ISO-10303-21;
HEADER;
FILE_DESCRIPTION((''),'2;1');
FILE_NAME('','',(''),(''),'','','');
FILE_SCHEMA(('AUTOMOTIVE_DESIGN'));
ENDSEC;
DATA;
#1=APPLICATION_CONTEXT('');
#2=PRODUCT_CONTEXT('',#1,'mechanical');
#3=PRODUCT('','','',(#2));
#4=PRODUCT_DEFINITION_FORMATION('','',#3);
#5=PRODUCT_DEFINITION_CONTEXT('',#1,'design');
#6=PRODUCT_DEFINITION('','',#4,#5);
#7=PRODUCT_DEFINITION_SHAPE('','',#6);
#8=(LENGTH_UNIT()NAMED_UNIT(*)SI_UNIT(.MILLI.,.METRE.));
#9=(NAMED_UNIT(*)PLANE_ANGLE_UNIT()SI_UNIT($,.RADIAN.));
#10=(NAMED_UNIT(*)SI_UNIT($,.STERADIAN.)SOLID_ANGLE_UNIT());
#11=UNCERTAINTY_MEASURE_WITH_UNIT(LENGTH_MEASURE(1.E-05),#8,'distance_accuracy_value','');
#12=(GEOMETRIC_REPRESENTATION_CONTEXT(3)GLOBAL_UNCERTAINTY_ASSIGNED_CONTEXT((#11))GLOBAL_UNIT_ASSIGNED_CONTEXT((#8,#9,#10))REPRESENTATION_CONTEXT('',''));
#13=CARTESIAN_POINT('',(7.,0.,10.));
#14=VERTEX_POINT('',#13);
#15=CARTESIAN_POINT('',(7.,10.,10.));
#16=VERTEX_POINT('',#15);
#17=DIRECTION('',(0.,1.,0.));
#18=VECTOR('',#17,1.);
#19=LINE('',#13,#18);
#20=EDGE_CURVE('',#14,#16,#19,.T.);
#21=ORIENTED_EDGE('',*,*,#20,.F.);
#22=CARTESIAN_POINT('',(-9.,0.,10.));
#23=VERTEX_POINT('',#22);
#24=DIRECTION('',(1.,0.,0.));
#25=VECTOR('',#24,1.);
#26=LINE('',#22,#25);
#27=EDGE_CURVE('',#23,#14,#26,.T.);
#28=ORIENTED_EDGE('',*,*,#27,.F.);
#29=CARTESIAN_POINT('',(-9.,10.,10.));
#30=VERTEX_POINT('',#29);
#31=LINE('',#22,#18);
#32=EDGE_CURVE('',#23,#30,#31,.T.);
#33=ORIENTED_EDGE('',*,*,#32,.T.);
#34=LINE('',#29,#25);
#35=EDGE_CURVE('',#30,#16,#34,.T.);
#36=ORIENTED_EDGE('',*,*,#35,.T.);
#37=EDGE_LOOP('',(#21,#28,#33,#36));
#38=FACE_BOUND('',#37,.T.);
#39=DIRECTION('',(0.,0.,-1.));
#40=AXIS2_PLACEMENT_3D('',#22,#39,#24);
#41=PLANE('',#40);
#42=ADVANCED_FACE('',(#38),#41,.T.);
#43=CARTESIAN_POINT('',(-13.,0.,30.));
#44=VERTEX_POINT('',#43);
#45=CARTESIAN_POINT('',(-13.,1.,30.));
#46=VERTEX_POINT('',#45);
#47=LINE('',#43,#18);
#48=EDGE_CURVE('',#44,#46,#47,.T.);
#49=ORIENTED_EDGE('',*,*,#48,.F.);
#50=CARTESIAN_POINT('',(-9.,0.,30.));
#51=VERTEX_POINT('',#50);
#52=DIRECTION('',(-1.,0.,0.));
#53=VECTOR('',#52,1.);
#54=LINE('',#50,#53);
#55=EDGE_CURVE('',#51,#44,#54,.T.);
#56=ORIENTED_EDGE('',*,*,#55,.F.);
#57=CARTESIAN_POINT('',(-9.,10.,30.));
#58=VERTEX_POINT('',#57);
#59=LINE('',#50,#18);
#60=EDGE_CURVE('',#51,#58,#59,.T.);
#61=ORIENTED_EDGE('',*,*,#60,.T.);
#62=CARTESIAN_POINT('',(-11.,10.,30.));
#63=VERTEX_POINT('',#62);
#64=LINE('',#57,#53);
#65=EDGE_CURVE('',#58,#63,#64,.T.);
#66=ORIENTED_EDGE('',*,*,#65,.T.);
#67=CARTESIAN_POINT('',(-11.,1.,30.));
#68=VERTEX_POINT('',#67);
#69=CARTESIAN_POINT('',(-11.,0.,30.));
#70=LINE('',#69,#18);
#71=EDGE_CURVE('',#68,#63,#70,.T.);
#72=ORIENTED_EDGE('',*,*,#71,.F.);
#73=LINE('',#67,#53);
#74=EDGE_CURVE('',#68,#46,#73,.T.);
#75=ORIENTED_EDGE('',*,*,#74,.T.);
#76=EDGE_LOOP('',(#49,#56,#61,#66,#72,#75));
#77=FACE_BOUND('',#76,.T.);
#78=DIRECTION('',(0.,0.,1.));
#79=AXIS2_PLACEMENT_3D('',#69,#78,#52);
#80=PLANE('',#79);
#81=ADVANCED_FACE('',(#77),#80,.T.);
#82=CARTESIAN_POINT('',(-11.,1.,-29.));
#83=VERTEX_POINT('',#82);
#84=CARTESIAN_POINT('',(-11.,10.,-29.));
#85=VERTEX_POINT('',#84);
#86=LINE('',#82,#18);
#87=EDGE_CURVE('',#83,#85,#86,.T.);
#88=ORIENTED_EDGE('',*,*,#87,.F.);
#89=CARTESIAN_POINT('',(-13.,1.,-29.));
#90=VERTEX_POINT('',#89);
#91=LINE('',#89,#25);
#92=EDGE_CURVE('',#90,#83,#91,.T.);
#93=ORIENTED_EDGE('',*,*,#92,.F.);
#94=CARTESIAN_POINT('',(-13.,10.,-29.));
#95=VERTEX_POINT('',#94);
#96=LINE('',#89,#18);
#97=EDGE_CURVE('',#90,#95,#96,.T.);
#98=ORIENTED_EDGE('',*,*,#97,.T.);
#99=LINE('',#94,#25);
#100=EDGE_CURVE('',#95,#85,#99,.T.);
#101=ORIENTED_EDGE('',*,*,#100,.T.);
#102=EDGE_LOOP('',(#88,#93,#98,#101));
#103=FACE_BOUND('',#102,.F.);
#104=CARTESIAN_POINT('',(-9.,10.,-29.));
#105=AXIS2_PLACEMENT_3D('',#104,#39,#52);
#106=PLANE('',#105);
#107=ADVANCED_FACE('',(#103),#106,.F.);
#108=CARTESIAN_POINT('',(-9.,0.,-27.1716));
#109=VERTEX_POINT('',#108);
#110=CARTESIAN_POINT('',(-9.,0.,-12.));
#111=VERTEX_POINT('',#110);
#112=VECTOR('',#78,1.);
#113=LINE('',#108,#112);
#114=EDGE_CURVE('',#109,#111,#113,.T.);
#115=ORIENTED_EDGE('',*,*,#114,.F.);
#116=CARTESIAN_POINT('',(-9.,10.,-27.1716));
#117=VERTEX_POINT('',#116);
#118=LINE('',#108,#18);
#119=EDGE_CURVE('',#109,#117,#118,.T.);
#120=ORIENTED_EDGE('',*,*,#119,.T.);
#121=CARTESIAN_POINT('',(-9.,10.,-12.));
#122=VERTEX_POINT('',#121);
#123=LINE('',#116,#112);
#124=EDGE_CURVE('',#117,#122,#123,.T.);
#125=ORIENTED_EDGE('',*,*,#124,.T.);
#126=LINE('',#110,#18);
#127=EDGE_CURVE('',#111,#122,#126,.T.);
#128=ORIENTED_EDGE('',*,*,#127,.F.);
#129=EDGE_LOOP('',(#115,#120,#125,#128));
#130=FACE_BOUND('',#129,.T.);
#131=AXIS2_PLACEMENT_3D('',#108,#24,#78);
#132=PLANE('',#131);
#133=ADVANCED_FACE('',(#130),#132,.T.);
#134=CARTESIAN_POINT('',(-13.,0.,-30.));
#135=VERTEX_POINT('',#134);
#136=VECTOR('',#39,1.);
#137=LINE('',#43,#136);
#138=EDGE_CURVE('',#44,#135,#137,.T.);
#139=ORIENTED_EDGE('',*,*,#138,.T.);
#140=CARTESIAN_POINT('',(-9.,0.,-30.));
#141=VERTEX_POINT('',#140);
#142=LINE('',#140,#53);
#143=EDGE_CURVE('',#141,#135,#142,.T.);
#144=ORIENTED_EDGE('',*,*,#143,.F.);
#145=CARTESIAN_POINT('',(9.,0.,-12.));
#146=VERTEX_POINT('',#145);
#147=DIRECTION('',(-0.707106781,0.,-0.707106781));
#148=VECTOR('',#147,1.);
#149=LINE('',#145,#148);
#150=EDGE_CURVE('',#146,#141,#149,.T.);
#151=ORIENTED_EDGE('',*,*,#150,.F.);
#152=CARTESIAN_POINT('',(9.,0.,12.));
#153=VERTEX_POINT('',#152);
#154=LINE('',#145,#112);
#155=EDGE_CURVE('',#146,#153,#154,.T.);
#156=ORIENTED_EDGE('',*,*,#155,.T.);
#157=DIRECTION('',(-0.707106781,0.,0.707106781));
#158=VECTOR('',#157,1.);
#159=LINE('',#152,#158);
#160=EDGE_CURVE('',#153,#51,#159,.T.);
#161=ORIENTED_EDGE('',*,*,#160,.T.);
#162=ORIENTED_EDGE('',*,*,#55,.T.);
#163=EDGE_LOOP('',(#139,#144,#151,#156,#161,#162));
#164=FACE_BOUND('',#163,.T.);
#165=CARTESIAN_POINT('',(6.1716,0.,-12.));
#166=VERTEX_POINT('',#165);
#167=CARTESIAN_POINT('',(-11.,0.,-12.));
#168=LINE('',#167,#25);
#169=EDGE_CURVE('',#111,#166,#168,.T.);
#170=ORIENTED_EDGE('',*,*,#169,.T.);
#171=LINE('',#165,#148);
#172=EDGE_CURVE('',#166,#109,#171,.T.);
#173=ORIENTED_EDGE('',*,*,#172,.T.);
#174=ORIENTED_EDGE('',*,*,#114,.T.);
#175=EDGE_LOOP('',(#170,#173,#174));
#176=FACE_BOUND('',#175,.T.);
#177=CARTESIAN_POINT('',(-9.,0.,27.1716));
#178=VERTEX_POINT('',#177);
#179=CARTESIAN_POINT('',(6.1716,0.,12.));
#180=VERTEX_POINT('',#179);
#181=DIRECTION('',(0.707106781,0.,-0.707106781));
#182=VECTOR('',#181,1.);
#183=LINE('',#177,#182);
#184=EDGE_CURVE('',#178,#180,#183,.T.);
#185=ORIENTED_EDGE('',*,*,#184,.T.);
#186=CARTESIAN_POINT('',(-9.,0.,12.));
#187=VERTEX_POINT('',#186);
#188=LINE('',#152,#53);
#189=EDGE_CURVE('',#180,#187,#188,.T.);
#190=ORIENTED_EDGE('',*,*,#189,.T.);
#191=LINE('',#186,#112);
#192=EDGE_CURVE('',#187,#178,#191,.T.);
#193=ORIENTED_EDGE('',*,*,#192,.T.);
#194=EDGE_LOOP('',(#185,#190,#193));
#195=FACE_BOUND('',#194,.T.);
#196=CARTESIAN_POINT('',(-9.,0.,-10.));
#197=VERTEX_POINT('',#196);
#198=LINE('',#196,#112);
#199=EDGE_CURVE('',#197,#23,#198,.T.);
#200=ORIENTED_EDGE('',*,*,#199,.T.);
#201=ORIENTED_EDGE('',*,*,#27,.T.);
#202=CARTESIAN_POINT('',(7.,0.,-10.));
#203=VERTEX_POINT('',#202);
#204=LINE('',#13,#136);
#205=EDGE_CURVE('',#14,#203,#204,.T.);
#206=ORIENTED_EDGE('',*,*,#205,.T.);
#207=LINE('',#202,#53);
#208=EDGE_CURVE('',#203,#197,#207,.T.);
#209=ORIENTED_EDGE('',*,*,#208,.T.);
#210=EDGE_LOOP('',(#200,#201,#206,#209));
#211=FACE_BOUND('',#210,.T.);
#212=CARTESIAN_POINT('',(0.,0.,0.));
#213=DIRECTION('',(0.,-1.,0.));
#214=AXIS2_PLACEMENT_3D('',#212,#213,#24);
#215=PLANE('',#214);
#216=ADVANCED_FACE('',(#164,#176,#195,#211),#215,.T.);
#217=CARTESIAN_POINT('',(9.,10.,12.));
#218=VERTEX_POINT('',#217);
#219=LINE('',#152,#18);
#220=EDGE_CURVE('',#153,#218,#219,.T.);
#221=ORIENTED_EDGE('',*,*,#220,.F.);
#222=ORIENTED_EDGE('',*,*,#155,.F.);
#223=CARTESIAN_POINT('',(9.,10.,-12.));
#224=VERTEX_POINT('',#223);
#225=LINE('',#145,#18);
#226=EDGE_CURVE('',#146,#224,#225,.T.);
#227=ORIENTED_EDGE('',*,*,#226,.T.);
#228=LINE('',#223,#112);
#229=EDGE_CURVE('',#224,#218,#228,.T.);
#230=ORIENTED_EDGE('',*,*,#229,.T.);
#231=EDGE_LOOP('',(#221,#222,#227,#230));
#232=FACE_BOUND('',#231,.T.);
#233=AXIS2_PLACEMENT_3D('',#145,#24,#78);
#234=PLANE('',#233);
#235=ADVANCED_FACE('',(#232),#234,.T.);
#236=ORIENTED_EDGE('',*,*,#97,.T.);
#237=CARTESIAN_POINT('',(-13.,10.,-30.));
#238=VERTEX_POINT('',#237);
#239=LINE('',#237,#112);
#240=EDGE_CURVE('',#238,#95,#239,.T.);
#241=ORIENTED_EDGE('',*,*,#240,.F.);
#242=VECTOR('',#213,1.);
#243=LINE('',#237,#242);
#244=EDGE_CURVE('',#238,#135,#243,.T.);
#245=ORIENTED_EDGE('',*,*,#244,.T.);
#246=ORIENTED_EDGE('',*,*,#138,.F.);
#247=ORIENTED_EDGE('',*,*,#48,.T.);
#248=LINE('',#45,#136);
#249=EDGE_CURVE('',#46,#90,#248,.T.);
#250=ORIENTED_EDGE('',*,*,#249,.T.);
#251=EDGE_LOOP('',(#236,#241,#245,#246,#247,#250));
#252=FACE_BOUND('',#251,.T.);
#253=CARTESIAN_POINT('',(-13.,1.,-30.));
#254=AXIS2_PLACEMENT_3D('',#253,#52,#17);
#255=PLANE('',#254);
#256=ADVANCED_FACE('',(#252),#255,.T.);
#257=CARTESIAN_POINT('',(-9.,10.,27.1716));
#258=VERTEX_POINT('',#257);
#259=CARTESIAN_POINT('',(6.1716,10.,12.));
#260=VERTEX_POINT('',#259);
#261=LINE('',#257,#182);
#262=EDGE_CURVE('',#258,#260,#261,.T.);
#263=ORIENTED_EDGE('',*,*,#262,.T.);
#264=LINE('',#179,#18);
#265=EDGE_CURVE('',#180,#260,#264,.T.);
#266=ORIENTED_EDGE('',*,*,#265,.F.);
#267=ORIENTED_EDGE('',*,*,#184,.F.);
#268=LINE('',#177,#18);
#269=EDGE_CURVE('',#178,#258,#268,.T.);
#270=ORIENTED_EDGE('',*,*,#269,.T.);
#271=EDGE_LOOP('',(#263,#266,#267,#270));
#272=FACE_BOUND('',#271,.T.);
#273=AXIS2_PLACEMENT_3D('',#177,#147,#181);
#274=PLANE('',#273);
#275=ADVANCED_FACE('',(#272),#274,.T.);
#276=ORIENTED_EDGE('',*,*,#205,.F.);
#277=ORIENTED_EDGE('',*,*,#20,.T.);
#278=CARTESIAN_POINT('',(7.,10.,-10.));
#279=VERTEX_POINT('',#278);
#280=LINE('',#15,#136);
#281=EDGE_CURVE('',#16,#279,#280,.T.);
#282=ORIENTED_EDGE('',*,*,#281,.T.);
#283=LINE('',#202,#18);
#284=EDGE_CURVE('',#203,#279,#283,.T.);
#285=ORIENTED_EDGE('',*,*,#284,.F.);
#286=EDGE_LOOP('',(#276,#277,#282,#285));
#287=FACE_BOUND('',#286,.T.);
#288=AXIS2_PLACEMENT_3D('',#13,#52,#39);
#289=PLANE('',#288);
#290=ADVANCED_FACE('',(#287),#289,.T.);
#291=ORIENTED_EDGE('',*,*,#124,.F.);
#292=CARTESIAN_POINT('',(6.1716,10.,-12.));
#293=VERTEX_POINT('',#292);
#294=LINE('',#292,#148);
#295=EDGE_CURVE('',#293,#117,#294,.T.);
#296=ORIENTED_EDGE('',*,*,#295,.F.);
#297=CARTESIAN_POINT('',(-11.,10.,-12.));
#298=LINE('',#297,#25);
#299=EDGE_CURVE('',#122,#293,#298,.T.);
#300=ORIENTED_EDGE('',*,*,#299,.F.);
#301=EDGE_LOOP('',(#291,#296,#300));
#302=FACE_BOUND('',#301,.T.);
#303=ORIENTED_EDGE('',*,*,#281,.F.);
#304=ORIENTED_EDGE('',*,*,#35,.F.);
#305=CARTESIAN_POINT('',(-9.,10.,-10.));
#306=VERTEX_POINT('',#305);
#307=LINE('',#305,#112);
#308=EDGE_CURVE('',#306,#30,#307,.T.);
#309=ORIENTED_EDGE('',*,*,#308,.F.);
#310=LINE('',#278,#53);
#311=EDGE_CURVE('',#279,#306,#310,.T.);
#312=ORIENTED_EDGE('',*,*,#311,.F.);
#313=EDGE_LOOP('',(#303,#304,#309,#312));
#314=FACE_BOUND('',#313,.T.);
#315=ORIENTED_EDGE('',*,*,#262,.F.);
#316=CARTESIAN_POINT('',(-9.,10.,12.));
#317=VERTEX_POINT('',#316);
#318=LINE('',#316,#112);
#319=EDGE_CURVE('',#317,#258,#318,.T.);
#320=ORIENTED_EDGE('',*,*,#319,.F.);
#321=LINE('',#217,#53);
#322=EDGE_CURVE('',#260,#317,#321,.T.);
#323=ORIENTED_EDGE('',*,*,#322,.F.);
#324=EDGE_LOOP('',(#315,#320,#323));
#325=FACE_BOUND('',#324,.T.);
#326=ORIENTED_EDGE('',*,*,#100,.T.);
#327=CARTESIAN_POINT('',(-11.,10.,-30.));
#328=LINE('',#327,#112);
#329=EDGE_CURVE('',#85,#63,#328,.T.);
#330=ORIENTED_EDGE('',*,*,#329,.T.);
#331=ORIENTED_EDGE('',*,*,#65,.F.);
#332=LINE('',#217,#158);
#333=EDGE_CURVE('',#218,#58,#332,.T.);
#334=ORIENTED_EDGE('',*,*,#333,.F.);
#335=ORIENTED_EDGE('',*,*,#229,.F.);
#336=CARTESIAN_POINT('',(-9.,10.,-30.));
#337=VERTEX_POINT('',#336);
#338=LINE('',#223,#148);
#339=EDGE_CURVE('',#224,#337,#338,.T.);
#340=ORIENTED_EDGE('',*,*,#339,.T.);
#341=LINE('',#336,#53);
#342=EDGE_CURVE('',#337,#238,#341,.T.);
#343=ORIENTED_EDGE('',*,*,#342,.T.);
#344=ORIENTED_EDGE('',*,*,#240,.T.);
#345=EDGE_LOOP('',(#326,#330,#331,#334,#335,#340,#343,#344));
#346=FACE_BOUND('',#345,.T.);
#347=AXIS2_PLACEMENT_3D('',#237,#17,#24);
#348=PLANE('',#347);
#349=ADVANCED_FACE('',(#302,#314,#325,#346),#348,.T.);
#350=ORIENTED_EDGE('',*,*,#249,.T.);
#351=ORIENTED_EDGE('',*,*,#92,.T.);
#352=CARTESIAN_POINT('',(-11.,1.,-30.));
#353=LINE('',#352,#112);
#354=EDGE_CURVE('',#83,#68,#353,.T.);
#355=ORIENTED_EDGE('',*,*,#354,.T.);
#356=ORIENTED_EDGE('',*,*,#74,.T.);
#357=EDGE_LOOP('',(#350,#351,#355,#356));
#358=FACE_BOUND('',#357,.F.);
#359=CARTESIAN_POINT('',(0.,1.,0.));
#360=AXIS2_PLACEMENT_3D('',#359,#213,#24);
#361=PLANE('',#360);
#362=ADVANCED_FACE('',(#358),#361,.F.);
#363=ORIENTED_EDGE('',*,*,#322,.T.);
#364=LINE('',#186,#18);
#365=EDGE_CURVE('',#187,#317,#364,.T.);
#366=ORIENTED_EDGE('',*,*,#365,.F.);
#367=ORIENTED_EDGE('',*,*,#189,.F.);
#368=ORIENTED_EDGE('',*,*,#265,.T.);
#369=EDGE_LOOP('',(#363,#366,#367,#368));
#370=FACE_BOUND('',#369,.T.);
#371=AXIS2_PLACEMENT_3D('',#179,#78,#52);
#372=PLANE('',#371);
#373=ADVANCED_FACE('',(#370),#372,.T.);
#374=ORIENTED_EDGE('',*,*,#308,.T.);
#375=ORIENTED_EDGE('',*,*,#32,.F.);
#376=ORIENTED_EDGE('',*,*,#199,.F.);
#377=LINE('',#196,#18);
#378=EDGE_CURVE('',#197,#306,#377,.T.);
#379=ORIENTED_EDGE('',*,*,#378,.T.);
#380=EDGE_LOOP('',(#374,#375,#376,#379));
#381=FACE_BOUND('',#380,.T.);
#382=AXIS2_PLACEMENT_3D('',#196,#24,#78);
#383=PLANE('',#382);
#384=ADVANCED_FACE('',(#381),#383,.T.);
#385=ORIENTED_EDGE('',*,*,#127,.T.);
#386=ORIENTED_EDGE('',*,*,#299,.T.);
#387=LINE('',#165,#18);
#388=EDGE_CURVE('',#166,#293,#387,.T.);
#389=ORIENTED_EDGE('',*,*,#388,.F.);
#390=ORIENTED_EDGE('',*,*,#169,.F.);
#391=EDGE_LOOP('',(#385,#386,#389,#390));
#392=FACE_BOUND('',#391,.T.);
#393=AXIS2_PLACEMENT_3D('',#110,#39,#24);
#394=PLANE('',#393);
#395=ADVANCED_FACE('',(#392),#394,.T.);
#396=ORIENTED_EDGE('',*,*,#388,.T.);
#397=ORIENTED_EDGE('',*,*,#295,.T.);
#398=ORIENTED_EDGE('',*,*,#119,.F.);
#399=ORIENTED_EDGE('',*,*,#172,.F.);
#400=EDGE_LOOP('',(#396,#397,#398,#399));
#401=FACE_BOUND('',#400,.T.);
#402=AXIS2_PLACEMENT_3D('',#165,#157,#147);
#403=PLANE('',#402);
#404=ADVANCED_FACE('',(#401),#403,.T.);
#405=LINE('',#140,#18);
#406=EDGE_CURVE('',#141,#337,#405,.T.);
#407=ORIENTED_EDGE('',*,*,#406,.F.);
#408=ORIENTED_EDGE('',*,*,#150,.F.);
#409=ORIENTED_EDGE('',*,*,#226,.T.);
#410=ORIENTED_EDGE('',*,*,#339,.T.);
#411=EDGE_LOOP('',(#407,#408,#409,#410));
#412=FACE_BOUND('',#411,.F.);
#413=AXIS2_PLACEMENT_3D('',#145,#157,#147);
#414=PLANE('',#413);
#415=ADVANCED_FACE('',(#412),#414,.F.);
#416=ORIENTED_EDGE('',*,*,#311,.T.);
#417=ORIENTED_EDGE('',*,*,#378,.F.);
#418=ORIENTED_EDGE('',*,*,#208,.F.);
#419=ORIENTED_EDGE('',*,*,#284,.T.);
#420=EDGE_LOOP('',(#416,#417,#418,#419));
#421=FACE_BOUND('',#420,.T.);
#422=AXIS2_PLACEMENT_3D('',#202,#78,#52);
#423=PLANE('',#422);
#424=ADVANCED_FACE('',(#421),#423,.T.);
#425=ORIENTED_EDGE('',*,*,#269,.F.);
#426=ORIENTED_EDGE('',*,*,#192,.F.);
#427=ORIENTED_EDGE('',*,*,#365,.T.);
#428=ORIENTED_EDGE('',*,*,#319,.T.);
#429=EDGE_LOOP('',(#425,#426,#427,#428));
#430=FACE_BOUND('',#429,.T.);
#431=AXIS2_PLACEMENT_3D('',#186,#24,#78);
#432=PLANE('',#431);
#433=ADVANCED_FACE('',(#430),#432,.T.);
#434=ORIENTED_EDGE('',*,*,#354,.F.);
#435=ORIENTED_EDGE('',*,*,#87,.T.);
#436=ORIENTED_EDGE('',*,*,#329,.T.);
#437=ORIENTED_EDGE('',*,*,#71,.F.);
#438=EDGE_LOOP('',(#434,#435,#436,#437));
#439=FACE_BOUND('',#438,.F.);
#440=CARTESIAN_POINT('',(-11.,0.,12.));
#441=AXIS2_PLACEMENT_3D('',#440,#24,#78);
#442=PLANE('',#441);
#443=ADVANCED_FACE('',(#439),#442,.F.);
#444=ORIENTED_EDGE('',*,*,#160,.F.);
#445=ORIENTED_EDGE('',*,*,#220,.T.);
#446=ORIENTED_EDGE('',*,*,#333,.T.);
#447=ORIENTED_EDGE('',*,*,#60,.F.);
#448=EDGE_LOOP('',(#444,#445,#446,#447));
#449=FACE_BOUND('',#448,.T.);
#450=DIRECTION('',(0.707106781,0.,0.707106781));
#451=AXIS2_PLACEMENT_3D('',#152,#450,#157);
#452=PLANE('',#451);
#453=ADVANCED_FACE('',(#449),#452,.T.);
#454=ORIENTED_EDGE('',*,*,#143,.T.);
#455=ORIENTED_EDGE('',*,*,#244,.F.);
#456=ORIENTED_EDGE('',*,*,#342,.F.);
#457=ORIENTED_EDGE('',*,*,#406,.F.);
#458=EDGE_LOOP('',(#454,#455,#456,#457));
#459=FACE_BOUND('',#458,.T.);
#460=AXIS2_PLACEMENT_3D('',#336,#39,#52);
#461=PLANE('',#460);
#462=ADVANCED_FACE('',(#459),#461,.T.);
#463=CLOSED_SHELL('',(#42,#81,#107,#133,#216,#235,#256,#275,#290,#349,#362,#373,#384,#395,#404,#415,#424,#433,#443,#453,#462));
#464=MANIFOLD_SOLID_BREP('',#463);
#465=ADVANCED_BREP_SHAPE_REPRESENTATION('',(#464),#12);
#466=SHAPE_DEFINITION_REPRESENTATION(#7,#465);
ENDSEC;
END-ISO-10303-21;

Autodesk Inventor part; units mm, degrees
ref_plane "YZ Plane" through (0, 0, 0) normal (1, 0, 0) x (0, 1, 0)
ref_plane "XZ Plane" through (0, 0, 0) normal (0, 1, 0) x (-1, 0, 0)
ref_plane "XY Plane" through (0, 0, 0) normal (0, 0, 1) x (1, 0, 0)
sketch "Sketch1" plane through (0, 0, 0) normal (0, 1, 0) x (-1, 0, 0)
  line L0 (9, 10) -> (-7, 10)
  line L1 (-7, 10) -> (-7, -10)
  line L2 (-7, -10) -> (9, -10)
  line L3 (9, -10) -> (9, 10)
  line L4 (9, 10) -> (-7, -10) construction
  line L5 (-7, 10) -> (9, -10) construction
  line L6 (-9, 12) -> (11, 12)
  line L7 (11, 12) -> (11, -12)
  line L8 (11, -12) -> (-9, -12)
  line L9 (-9, -12) -> (-9, 12)
  line L10 (-9, 12) -> (9, 30)
  line L11 (-9, 12) -> (21.2472, 12) construction
  line L12 (11, 12) -> (11, 30)
  line L13 (-9, -12) -> (9, -30)
  line L14 (-9, -12) -> (29.5291, -12) construction
  line L15 (11, -12) -> (11, -30)
  line L16 (9, 12) -> (9, 29.1716)
  line L17 (-6.1716, -12) -> (9, -27.1716)
  line L18 (9, -27.1716) -> (9, -12)
  line L19 (11, 12) -> (11, 10)
  line L20 (11, 12) -> (9, 12)
  line L21 (-8.1716, 12) -> (-9, 12)
  line L22 (-9, -12) -> (-6.1716, -12)
  line L23 (11, -12) -> (9, -12)
  line L24 (9, 29.1716) -> (9, 30)
  line L25 (9, 30) -> (11, 30)
  line L26 (9, -27.1716) -> (11, -27.1716)
  line L27 (9, -27.1716) -> (9, -30)
  line L28 (9, -30) -> (11, -30)
  line L29 (11, 12) -> (9, 12)
  line L30 (-8.1716, 12) -> (-9, 12)
  line L31 (-6.1716, -12) -> (9, -12)
  line L32 (11, -12) -> (9, -12)
  line L33 (9, 30) -> (9, 28)
  line L34 (9, 27.1716) -> (-6.1716, 12)
  line L35 (9, 27.1716) -> (9, 30)
  line L36 (9, 27.1716) -> (-6.1716, 12)
  line L37 (-9, 12) -> (-6.1716, 12)
  line L38 (9, 30) -> (-9, 12)
  point P0 (0, 0)
  point P1 (1, 0)
  dimension "d0" = 16
  dimension "d1" = 20
  dimension "d2" = 2
  dimension "d3" = 45
  dimension "d4" = 45
  dimension "d5" = 2
  dimension "d6" = 2
  dimension "d12" = 2
extrude "Extrusion2" add sketch "Sketch1" along normal blind 10 contours L10 L24 L16 L34 L6 | L6 L7 L8 L9 | L8 L17 L27 L13 | L25 L12 L6 L16 L24 | L27 L26 L15 L28 | L8 L15 L26 L18
sketch "Sketch3" plane through (0, 0, 0) normal (0, -1, 0) x (1, 0, 0)
  line L0 (-11, 30) -> (-13, 30)
  line L1 (-13, 30) -> (-13, -30)
  line L2 (-13, -30) -> (-11, -30)
  line L3 (-11, -30) -> (-11, 30) projected
  line L4 (-11, -30) -> (-11, 30)
  point P0 (0, 0)
  dimension "d15" = 2
  dimension "d16" = 60
extrude "Extrusion3" add sketch "Sketch3" against normal blind 1
sketch "Sketch4" plane through (-9, 10, -30) normal (0, 0, -1) x (-1, 0, 0)
  line L0 (2, -9) -> (2, 0) projected
  line L1 (2, 0) -> (2, -9)
  line L2 (4, -9) -> (2, -9) projected
  line L3 (2, -9) -> (4, -9)
  line L4 (4, -9) -> (4, 0)
  line L5 (4, 0) -> (2, 0)
  point P0 (-9, -10)
extrude "Extrusion4" add sketch "Sketch4" against normal blind 1
properties part number "Motor_Org"
